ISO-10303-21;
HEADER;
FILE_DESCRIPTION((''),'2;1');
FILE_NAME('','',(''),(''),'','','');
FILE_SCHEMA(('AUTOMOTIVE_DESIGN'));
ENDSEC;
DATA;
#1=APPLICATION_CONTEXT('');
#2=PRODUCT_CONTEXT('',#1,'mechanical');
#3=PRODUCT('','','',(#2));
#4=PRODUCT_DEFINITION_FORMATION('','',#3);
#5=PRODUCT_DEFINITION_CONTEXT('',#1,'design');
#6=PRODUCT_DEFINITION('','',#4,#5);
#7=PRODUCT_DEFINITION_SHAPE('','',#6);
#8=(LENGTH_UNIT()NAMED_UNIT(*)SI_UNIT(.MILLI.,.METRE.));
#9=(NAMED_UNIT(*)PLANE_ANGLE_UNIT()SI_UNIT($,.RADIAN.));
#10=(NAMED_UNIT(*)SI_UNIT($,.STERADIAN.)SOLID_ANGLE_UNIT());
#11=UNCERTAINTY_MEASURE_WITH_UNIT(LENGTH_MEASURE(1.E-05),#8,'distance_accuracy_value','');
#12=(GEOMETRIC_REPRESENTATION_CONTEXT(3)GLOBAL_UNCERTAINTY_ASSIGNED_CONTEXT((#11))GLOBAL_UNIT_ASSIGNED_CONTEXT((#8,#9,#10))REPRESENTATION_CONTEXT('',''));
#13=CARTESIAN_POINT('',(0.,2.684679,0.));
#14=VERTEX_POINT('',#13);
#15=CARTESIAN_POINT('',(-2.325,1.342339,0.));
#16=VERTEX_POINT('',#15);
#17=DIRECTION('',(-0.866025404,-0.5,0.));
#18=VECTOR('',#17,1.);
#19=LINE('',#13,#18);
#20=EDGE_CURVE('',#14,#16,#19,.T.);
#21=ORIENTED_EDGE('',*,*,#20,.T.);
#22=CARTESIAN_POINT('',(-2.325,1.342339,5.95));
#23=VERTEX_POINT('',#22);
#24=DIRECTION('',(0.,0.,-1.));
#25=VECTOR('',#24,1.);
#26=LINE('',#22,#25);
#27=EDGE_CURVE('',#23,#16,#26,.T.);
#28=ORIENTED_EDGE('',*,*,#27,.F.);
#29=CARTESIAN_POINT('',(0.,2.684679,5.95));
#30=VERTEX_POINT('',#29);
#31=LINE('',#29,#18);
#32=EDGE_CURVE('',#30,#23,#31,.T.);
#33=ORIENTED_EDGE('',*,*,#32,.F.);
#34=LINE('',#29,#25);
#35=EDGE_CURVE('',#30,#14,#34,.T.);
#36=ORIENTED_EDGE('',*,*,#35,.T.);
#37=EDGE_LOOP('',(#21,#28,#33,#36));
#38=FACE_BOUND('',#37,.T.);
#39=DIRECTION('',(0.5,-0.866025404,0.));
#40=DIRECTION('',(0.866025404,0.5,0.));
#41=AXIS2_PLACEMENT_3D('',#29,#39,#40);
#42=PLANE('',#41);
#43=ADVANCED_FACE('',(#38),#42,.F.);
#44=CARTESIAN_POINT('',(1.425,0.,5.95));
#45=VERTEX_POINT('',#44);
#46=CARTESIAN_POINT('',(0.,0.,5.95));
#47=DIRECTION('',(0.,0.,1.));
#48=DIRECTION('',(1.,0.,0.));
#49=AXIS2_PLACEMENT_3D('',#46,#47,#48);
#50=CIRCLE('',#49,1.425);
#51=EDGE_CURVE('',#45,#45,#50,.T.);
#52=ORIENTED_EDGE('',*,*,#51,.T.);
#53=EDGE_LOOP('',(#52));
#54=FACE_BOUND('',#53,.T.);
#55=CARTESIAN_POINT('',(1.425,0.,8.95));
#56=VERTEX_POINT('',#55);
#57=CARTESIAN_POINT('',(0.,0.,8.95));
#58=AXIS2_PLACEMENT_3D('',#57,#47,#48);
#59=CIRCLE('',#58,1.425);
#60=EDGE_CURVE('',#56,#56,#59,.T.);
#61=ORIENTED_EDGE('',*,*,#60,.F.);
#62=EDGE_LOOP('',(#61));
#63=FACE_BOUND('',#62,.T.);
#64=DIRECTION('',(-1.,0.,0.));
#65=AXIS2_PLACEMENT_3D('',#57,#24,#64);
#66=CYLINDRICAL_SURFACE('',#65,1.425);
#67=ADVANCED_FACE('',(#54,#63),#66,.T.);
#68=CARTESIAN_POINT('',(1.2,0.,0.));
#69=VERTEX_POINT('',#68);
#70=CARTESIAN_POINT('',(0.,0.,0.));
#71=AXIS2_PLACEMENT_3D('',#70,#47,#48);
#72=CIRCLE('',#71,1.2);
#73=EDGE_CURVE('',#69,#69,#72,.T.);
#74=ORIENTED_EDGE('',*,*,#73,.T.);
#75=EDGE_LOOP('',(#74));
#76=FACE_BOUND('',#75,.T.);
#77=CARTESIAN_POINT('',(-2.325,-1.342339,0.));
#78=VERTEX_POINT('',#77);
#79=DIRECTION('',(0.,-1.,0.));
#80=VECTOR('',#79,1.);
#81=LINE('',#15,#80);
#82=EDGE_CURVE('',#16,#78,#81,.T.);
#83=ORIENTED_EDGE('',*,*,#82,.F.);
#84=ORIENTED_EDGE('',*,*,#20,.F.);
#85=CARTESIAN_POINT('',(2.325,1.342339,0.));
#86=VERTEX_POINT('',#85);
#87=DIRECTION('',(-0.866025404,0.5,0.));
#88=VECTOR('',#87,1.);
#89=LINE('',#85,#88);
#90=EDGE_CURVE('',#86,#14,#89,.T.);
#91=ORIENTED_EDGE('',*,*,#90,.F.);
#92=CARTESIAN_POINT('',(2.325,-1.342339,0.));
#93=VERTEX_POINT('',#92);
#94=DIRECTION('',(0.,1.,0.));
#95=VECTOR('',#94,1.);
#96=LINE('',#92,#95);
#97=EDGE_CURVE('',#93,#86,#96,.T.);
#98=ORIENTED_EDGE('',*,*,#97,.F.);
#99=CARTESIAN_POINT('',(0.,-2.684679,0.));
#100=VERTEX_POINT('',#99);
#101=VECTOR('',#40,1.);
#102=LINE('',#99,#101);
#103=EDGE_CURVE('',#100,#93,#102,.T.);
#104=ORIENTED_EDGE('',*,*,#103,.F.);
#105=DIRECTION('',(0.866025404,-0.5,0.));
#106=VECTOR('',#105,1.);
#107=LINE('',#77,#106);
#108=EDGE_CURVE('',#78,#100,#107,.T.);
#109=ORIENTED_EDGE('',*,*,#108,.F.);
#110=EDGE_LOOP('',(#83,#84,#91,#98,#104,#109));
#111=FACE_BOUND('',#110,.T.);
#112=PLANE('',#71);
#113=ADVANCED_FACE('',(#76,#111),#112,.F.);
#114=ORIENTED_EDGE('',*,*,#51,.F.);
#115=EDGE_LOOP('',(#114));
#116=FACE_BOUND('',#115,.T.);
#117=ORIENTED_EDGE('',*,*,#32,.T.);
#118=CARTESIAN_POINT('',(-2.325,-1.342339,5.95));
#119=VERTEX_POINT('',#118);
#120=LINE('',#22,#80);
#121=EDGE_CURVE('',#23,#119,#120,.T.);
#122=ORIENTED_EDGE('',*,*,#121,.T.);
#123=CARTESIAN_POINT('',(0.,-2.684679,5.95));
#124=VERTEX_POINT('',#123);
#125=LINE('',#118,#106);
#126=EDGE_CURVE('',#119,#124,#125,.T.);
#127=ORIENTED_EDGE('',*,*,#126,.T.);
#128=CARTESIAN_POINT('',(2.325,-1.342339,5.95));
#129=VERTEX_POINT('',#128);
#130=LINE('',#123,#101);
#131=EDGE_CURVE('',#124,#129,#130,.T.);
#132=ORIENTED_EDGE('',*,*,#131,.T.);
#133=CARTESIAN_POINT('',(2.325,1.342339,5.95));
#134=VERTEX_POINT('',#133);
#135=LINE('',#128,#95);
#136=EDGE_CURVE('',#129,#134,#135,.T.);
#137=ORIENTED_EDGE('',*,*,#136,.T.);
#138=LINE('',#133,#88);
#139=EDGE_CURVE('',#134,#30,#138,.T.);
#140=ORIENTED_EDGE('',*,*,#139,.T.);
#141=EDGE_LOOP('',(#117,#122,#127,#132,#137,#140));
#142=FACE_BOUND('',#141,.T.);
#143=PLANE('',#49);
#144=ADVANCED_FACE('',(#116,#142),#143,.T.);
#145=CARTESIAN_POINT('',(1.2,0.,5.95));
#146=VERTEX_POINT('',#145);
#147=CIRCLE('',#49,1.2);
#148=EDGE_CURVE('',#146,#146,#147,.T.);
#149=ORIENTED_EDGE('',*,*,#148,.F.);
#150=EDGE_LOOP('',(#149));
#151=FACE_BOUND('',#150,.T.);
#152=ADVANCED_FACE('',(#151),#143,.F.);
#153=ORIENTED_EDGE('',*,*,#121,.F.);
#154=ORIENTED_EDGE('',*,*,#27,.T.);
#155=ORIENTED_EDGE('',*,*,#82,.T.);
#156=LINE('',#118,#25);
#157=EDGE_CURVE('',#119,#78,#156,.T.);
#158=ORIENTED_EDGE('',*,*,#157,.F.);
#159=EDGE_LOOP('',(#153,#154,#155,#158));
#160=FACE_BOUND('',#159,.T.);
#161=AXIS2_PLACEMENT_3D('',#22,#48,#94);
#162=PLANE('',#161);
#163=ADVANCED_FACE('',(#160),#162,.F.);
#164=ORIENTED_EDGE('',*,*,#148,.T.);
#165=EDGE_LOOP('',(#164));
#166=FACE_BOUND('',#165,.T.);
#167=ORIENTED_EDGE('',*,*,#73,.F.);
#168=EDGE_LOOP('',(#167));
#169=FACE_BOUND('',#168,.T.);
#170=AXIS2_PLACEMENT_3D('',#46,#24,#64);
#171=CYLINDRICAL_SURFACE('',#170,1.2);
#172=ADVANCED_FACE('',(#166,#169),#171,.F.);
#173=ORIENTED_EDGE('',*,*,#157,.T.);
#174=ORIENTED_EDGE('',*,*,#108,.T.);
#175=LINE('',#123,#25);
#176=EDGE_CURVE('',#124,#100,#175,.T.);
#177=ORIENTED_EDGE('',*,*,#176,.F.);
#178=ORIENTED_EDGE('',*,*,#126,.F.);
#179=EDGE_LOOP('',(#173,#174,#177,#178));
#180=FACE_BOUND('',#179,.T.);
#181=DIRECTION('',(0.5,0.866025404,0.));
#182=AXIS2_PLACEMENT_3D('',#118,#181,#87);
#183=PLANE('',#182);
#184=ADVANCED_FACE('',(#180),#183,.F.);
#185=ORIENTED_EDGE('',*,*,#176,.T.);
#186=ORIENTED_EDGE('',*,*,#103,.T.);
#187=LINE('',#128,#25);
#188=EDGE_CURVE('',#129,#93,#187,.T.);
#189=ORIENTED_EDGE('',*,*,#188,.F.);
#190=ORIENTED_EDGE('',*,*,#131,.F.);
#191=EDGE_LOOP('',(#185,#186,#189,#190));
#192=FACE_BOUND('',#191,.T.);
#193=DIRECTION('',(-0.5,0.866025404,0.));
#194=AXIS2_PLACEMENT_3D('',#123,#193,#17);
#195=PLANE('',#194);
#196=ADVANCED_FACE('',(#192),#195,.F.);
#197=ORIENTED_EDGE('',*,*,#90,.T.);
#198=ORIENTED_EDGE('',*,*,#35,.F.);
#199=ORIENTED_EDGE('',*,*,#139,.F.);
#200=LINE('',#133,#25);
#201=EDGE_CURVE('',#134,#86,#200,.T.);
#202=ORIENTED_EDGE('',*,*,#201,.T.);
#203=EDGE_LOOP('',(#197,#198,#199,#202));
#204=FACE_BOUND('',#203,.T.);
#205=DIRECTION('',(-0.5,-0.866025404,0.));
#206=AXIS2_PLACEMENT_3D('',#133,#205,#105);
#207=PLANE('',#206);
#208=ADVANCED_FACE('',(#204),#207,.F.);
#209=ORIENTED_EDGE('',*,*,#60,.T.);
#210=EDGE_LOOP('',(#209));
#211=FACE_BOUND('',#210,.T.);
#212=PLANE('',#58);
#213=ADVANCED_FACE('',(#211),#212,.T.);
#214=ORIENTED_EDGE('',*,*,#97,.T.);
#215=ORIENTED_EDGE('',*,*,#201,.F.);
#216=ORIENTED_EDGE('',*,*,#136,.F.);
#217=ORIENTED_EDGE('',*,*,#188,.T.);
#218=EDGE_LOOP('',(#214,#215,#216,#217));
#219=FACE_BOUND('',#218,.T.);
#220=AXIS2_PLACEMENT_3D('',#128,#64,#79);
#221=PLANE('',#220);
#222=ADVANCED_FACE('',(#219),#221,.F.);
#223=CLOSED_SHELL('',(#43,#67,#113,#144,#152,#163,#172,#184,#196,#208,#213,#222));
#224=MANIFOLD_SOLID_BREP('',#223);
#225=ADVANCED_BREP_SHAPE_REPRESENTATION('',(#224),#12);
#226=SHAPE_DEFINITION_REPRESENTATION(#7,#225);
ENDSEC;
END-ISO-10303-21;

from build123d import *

# Parameters (mm, degrees)
CROQUIS1_R              = 1.2
SALIENTE_EXTRUIR1_DEPTH = 5.95
CROQUIS2_R              = 1.425
SALIENTE_EXTRUIR2_DEPTH = 3


with BuildPart() as part:
    # Croquis1 → Saliente-Extruir1 (new body)
    with BuildSketch(Plane.XY):
        Polygon((0, -2.684678752), (2.325, -1.342339376), (2.325, 1.342339376), (0, 2.684678752), (-2.325, 1.342339376), (-2.325, -1.342339376), align=None)
        Circle(CROQUIS1_R, mode=Mode.SUBTRACT)
    extrude(amount=SALIENTE_EXTRUIR1_DEPTH)

    # Croquis2 → Saliente-Extruir2 (add)
    with BuildSketch(Plane.XY.offset(5.95)):
        Circle(CROQUIS2_R)
    extrude(amount=SALIENTE_EXTRUIR2_DEPTH)


solid = part.part
